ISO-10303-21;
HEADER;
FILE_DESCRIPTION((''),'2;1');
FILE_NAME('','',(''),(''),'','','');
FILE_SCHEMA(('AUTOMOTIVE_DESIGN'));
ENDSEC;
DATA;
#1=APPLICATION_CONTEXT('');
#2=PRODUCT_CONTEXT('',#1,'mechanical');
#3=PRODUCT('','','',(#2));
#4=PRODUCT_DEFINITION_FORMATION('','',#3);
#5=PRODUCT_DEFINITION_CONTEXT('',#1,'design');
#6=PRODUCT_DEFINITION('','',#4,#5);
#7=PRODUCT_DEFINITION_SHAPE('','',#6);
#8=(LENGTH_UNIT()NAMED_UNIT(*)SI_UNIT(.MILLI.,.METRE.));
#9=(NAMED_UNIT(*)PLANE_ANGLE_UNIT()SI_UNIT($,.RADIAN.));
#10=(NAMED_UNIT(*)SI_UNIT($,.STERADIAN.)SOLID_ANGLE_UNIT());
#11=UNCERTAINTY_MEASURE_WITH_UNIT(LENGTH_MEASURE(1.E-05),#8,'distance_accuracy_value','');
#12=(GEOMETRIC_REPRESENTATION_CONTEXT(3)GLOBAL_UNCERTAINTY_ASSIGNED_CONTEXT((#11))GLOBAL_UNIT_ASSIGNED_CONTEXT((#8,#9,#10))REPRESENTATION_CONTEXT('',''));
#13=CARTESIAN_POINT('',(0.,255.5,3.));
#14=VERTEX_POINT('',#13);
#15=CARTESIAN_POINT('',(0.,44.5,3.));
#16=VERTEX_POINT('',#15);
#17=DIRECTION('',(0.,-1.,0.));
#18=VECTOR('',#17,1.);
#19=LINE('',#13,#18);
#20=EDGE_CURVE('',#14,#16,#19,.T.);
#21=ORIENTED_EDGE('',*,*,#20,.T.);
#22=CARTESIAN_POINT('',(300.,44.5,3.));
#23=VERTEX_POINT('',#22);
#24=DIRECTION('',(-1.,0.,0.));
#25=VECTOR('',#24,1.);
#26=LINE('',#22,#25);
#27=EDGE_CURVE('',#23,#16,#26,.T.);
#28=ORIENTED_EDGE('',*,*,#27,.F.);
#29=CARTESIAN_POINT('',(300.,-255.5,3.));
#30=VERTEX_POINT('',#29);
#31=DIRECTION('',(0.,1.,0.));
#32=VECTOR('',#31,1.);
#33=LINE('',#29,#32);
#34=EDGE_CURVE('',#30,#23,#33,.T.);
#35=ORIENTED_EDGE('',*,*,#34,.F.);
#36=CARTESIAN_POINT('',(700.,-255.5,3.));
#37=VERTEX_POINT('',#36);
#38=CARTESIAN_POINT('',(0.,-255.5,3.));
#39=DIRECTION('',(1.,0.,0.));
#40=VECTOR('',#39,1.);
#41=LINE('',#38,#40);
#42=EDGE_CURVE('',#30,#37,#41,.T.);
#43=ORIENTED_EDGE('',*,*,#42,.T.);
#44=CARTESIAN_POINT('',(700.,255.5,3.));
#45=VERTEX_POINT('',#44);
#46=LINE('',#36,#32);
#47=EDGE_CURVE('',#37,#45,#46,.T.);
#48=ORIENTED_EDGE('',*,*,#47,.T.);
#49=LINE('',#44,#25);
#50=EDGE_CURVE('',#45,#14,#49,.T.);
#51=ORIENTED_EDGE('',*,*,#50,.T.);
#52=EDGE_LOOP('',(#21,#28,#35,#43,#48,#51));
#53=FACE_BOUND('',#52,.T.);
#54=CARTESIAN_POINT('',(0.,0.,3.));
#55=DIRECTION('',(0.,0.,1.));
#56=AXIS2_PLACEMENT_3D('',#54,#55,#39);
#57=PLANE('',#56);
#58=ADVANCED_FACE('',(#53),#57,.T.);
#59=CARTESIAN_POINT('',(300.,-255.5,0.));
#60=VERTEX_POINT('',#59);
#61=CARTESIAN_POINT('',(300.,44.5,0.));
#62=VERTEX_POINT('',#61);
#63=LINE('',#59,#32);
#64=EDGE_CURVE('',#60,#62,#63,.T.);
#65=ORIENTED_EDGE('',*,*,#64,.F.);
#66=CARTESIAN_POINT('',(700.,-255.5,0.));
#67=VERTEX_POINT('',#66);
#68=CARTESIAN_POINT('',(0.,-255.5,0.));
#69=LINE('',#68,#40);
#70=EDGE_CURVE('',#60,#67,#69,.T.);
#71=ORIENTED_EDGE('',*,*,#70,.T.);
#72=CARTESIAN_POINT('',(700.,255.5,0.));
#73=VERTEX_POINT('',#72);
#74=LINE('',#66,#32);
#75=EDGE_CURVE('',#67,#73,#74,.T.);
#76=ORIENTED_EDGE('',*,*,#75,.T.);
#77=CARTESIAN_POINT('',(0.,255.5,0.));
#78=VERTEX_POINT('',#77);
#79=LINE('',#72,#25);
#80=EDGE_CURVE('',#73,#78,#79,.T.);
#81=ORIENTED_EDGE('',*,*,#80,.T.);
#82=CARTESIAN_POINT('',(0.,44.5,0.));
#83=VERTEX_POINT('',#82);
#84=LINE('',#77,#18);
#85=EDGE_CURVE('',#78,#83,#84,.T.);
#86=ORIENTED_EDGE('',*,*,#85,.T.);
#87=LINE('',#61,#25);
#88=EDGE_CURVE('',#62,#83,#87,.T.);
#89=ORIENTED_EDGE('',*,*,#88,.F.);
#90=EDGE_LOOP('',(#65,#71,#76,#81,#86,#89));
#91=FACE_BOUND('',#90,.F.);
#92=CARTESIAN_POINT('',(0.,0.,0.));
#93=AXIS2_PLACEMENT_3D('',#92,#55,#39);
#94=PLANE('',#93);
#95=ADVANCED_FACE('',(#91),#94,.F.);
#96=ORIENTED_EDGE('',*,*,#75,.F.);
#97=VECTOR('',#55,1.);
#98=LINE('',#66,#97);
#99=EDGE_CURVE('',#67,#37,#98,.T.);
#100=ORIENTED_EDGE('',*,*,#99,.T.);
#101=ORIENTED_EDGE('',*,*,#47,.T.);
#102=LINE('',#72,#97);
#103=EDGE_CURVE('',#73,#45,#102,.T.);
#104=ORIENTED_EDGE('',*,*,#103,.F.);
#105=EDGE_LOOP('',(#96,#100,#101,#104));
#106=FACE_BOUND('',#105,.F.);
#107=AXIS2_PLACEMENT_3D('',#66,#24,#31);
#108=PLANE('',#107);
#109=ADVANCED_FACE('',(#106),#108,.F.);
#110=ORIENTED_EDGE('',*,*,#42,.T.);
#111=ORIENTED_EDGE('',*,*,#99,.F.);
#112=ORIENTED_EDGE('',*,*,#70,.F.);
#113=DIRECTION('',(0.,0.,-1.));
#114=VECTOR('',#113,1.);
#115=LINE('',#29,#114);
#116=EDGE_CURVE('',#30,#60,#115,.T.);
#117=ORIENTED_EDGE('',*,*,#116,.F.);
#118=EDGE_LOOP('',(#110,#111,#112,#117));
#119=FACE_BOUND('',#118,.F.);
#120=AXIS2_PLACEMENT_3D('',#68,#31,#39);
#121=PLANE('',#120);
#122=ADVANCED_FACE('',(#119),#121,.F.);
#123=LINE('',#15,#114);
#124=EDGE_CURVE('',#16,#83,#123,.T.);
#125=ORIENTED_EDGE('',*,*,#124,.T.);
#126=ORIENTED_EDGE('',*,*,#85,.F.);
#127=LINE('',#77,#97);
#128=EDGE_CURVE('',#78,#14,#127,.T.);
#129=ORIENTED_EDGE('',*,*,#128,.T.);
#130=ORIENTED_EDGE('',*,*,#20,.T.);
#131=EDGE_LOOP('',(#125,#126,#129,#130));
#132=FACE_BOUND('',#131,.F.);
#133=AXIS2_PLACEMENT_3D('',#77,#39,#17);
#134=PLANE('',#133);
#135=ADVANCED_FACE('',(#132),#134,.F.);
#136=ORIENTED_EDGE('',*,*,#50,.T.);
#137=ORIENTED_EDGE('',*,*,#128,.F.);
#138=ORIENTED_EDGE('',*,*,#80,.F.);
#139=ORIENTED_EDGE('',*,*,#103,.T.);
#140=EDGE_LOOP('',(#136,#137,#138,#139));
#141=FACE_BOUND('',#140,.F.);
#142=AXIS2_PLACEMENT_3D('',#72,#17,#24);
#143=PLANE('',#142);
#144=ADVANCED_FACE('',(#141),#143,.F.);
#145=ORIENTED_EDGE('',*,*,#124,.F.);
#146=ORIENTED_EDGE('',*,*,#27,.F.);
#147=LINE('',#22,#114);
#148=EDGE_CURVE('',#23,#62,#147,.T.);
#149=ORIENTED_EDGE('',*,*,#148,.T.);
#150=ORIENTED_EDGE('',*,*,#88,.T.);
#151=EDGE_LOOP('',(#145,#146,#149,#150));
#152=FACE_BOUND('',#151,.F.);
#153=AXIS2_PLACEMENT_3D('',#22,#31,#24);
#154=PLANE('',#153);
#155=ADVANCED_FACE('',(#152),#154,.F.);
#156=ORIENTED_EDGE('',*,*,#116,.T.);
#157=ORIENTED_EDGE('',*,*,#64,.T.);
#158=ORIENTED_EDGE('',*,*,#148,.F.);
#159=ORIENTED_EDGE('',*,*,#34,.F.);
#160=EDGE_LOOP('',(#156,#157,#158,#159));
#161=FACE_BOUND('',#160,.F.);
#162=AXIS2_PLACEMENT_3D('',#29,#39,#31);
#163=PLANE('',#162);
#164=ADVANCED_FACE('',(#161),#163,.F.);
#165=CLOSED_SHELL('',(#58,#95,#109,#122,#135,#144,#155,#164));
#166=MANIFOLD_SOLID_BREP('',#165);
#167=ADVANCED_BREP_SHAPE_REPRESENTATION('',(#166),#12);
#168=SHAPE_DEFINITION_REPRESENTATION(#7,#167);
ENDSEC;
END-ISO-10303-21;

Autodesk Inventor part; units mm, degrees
ref_plane "YZ Plane" through (0, 0, 0) normal (1, 0, 0) x (0, 1, 0)
ref_plane "XZ Plane" through (0, 0, 0) normal (0, 1, 0) x (-1, 0, 0)
ref_plane "XY Plane" through (0, 0, 0) normal (0, 0, 1) x (1, 0, 0)
sketch "Sketch1" plane through (0, 0, 0) normal (0, 0, 1) x (1, 0, 0)
  line L0 (0, -255.5) -> (700, -255.5)
  line L1 (700, -255.5) -> (700, 255.5)
  line L2 (700, 255.5) -> (0, 255.5)
  line L3 (0, 255.5) -> (0, -255.5)
  point P0 (0, 0)
  point P1 (0, 0)
  dimension "d0" = 700
  dimension "d1" = 511
extrude "Plate1" add sketch "Sketch1" along normal blind 3
sketch "Sketch6" plane through (0, 0, 3) normal (0, 0, 1) x (1, 0, 0)
  line L0 (0, -255.5) -> (700, -255.5) projected
  line L1 (0, -255.5) -> (300, -255.5)
  line L2 (300, -255.5) -> (300, 44.5)
  line L3 (300, 44.5) -> (0, 44.5)
  line L4 (0, 44.5) -> (0, -255.5)
  point P0 (0, 0)
  dimension "d36" = 300
  dimension "d37" = 300
extrude "Extrusion2" cut sketch "Sketch6" against normal up to surface (3 mm away)
equation "\"d2\" = Thickness"
equation "\"BendReliefWidth\" = Thickness"
equation "\"BendReliefDepth\" = 0.5 * Thickness"
equation "\"CornerReliefSize\" = 4 * Thickness"
equation "\"MinimumRemnant\" = 2 * Thickness"
equation "\"TransitionRadius\" = BendRadius"
equation "\"JacobiRadiusSize\" = BendRadius"
equation "\"GapSize\" = Thickness"
equation "\"Thickness\" = 3"
equation "\"BendRadius\" = 5"
properties part number "BSH 053 sheet in" material "09g2s"
